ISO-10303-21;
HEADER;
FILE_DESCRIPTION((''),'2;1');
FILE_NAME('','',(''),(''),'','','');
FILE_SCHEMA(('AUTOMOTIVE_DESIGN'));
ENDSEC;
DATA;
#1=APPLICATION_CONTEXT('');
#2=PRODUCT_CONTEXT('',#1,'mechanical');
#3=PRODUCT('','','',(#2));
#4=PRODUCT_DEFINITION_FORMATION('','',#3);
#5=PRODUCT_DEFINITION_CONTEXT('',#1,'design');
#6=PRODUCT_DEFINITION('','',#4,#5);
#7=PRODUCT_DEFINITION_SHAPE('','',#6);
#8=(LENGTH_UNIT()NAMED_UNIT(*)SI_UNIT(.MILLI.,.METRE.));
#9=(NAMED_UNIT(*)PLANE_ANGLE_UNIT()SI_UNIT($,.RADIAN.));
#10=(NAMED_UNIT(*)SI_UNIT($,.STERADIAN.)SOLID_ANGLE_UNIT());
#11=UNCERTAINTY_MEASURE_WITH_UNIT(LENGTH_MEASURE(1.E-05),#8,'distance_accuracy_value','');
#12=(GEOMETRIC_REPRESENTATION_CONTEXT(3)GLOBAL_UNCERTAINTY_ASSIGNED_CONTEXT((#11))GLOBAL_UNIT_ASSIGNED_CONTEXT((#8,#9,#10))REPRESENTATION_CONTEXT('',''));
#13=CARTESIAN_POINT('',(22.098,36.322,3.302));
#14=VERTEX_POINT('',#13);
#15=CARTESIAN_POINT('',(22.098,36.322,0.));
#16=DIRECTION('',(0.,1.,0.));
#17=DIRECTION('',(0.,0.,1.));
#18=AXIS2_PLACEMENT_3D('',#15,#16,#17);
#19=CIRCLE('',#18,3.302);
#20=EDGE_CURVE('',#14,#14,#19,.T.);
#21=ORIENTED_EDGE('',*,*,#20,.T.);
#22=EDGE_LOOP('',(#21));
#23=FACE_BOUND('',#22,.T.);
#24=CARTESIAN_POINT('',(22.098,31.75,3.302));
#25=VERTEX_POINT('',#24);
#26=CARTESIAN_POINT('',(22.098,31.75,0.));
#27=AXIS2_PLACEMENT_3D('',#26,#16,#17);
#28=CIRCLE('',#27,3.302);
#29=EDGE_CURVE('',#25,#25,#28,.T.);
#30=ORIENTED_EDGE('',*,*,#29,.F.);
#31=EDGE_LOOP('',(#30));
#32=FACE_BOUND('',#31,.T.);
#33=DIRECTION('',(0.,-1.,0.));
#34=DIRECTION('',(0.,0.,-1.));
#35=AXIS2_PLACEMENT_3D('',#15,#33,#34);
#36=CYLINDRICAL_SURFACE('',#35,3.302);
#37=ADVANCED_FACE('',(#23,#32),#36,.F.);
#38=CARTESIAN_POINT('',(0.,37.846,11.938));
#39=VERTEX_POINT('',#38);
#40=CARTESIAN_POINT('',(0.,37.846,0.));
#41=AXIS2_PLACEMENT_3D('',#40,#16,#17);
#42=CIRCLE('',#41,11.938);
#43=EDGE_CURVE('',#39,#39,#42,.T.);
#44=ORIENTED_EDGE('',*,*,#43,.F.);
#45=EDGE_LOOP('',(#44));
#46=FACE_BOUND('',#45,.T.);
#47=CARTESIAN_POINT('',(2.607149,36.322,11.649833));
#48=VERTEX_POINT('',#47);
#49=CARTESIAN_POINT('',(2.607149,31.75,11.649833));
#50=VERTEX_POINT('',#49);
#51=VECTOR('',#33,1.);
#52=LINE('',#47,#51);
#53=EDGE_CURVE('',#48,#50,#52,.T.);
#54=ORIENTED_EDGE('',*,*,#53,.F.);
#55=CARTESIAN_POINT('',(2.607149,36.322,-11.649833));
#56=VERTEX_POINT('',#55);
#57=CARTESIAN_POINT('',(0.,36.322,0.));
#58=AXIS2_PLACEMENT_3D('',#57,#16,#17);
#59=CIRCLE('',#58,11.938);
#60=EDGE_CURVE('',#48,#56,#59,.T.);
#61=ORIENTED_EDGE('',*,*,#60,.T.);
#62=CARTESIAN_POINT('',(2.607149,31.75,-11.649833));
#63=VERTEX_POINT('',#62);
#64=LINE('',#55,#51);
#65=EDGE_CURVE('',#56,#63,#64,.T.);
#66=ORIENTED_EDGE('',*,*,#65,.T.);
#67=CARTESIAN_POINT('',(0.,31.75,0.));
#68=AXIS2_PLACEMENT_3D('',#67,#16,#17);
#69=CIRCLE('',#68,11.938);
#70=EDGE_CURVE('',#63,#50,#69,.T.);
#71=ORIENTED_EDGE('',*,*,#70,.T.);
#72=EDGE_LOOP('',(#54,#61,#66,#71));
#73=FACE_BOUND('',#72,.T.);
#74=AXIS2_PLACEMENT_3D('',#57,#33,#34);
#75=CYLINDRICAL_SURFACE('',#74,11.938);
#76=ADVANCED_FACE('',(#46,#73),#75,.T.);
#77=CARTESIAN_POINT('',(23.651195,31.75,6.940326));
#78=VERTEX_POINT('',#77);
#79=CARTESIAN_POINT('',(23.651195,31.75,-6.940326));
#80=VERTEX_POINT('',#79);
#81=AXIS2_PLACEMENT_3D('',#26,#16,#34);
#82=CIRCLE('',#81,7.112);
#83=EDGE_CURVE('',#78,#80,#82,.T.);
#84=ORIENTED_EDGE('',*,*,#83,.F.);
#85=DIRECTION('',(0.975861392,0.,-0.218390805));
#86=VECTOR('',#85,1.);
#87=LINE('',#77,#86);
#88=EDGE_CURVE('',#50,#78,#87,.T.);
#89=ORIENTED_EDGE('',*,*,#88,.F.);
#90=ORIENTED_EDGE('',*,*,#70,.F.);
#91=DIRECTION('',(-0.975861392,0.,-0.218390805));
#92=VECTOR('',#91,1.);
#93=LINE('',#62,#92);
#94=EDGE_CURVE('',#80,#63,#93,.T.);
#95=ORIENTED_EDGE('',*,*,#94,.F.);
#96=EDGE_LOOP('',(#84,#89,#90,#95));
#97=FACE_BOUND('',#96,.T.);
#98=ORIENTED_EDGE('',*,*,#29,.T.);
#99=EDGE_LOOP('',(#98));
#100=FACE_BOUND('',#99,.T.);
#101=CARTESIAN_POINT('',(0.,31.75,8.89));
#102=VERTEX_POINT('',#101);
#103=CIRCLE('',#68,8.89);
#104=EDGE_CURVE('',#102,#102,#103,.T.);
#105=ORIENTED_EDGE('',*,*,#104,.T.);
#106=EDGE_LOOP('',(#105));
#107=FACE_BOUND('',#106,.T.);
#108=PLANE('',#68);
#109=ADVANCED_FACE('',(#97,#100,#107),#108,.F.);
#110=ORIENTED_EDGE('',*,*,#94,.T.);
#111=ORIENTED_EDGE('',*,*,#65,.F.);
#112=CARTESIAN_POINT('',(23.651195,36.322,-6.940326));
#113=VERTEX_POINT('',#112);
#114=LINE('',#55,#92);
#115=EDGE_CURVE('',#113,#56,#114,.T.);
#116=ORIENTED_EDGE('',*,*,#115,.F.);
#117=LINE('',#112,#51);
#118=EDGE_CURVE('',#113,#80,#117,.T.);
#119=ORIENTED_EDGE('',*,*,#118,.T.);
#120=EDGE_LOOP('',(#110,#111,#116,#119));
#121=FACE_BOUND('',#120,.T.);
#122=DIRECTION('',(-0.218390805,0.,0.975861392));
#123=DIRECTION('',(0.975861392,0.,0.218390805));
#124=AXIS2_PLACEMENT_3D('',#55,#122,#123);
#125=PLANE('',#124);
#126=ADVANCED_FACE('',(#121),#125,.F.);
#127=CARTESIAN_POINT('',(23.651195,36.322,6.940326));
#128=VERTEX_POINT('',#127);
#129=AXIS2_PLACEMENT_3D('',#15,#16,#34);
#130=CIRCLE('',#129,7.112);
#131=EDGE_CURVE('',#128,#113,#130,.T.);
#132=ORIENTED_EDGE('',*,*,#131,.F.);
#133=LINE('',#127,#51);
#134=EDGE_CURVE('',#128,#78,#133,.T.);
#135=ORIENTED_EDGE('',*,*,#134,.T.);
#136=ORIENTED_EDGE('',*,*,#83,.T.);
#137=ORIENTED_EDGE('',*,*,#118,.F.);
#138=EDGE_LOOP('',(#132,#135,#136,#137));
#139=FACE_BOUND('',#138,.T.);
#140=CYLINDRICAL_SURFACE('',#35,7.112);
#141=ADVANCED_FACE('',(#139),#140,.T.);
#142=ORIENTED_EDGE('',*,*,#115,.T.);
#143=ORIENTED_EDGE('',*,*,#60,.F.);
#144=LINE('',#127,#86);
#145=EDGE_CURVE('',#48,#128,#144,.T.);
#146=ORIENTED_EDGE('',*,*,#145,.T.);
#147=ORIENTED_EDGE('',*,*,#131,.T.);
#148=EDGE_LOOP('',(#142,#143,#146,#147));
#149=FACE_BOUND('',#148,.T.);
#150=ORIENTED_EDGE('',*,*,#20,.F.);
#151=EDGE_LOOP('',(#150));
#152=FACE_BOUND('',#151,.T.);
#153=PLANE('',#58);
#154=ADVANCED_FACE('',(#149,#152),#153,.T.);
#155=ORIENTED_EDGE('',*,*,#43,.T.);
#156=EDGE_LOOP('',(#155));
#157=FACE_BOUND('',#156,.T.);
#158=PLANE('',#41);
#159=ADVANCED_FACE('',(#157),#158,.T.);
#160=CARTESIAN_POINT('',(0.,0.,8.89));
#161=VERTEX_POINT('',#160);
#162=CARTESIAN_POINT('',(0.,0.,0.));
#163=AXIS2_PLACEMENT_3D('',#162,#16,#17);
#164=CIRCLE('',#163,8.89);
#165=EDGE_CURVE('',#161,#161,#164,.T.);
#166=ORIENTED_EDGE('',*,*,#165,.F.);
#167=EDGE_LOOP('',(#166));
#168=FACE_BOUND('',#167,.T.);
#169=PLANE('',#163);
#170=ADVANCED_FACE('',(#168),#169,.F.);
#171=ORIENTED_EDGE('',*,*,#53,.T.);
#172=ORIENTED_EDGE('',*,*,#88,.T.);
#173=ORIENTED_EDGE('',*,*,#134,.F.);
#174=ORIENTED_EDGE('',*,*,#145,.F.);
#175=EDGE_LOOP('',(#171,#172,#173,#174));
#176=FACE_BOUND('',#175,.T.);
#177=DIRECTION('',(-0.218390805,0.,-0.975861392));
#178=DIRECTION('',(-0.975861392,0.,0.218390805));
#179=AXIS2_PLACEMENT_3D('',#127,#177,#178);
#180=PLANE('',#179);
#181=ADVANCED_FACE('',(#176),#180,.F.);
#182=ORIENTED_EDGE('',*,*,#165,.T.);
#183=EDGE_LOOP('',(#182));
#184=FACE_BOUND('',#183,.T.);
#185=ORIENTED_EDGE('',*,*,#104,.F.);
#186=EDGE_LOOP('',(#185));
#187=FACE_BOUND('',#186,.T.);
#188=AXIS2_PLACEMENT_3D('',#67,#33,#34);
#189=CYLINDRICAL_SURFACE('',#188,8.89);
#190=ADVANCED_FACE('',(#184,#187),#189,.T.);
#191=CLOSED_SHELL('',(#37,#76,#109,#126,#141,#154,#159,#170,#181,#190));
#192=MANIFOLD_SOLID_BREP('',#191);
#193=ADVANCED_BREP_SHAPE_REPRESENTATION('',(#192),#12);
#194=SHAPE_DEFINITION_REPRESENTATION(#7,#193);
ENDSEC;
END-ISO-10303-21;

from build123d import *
from build123d.topology import SkipClean

# Parameters (mm, degrees)
SKETCH1_R           = 8.89
BOSS_EXTRUDE1_DEPTH = 31.75
SKETCH2_R           = 3.302
BOSS_EXTRUDE2_DEPTH = 4.572
SKETCH3_R           = 11.938
BOSS_EXTRUDE3_DEPTH = 1.524


with BuildPart() as part:
    # Sketch1 → Boss-Extrude1 (new body)
    with BuildSketch(Plane(origin=(0, 0, 0), x_dir=(1, 0, 0), z_dir=(0, 1, 0))):
        with Locations(Location((0, 0, 0), (0, 0, 270))):
            Circle(SKETCH1_R)
    extrude(amount=BOSS_EXTRUDE1_DEPTH)

    # Sketch2 → Boss-Extrude2 (add)
    with BuildSketch(Plane(origin=(0, 31.75, 0), x_dir=(1, 0, 0), z_dir=(0, 1, 0))):
        with BuildLine():
            Line((2.607149425, 11.649833298), (23.651195402, 6.94032622))
            ThreePointArc((23.651195402, 6.94032622), (29.21, 0), (23.651195402, -6.94032622))
            Line((23.651195402, -6.94032622), (2.607149425, -11.649833298))
            ThreePointArc((2.607149425, -11.649833298), (-11.938, 0), (2.607149425, 11.649833298))
        make_face()
        with Locations(Location((22.098, 0, 0), (0, 0, 270))):
            Circle(SKETCH2_R, mode=Mode.SUBTRACT)
    extrude(amount=BOSS_EXTRUDE2_DEPTH)

    # Sketch3 → Boss-Extrude3 (add)
    with SkipClean():  # the faces are left unmerged after this step: merging them gives an invalid solid
        with BuildSketch(Plane(origin=(0, 36.322, 0), x_dir=(1, 0, 0), z_dir=(0, 1, 0))):
            with Locations(Location((0, 0, 0), (0, 0, 77.385465227))):
                Circle(SKETCH3_R)
        extrude(amount=BOSS_EXTRUDE3_DEPTH)


solid = part.part
